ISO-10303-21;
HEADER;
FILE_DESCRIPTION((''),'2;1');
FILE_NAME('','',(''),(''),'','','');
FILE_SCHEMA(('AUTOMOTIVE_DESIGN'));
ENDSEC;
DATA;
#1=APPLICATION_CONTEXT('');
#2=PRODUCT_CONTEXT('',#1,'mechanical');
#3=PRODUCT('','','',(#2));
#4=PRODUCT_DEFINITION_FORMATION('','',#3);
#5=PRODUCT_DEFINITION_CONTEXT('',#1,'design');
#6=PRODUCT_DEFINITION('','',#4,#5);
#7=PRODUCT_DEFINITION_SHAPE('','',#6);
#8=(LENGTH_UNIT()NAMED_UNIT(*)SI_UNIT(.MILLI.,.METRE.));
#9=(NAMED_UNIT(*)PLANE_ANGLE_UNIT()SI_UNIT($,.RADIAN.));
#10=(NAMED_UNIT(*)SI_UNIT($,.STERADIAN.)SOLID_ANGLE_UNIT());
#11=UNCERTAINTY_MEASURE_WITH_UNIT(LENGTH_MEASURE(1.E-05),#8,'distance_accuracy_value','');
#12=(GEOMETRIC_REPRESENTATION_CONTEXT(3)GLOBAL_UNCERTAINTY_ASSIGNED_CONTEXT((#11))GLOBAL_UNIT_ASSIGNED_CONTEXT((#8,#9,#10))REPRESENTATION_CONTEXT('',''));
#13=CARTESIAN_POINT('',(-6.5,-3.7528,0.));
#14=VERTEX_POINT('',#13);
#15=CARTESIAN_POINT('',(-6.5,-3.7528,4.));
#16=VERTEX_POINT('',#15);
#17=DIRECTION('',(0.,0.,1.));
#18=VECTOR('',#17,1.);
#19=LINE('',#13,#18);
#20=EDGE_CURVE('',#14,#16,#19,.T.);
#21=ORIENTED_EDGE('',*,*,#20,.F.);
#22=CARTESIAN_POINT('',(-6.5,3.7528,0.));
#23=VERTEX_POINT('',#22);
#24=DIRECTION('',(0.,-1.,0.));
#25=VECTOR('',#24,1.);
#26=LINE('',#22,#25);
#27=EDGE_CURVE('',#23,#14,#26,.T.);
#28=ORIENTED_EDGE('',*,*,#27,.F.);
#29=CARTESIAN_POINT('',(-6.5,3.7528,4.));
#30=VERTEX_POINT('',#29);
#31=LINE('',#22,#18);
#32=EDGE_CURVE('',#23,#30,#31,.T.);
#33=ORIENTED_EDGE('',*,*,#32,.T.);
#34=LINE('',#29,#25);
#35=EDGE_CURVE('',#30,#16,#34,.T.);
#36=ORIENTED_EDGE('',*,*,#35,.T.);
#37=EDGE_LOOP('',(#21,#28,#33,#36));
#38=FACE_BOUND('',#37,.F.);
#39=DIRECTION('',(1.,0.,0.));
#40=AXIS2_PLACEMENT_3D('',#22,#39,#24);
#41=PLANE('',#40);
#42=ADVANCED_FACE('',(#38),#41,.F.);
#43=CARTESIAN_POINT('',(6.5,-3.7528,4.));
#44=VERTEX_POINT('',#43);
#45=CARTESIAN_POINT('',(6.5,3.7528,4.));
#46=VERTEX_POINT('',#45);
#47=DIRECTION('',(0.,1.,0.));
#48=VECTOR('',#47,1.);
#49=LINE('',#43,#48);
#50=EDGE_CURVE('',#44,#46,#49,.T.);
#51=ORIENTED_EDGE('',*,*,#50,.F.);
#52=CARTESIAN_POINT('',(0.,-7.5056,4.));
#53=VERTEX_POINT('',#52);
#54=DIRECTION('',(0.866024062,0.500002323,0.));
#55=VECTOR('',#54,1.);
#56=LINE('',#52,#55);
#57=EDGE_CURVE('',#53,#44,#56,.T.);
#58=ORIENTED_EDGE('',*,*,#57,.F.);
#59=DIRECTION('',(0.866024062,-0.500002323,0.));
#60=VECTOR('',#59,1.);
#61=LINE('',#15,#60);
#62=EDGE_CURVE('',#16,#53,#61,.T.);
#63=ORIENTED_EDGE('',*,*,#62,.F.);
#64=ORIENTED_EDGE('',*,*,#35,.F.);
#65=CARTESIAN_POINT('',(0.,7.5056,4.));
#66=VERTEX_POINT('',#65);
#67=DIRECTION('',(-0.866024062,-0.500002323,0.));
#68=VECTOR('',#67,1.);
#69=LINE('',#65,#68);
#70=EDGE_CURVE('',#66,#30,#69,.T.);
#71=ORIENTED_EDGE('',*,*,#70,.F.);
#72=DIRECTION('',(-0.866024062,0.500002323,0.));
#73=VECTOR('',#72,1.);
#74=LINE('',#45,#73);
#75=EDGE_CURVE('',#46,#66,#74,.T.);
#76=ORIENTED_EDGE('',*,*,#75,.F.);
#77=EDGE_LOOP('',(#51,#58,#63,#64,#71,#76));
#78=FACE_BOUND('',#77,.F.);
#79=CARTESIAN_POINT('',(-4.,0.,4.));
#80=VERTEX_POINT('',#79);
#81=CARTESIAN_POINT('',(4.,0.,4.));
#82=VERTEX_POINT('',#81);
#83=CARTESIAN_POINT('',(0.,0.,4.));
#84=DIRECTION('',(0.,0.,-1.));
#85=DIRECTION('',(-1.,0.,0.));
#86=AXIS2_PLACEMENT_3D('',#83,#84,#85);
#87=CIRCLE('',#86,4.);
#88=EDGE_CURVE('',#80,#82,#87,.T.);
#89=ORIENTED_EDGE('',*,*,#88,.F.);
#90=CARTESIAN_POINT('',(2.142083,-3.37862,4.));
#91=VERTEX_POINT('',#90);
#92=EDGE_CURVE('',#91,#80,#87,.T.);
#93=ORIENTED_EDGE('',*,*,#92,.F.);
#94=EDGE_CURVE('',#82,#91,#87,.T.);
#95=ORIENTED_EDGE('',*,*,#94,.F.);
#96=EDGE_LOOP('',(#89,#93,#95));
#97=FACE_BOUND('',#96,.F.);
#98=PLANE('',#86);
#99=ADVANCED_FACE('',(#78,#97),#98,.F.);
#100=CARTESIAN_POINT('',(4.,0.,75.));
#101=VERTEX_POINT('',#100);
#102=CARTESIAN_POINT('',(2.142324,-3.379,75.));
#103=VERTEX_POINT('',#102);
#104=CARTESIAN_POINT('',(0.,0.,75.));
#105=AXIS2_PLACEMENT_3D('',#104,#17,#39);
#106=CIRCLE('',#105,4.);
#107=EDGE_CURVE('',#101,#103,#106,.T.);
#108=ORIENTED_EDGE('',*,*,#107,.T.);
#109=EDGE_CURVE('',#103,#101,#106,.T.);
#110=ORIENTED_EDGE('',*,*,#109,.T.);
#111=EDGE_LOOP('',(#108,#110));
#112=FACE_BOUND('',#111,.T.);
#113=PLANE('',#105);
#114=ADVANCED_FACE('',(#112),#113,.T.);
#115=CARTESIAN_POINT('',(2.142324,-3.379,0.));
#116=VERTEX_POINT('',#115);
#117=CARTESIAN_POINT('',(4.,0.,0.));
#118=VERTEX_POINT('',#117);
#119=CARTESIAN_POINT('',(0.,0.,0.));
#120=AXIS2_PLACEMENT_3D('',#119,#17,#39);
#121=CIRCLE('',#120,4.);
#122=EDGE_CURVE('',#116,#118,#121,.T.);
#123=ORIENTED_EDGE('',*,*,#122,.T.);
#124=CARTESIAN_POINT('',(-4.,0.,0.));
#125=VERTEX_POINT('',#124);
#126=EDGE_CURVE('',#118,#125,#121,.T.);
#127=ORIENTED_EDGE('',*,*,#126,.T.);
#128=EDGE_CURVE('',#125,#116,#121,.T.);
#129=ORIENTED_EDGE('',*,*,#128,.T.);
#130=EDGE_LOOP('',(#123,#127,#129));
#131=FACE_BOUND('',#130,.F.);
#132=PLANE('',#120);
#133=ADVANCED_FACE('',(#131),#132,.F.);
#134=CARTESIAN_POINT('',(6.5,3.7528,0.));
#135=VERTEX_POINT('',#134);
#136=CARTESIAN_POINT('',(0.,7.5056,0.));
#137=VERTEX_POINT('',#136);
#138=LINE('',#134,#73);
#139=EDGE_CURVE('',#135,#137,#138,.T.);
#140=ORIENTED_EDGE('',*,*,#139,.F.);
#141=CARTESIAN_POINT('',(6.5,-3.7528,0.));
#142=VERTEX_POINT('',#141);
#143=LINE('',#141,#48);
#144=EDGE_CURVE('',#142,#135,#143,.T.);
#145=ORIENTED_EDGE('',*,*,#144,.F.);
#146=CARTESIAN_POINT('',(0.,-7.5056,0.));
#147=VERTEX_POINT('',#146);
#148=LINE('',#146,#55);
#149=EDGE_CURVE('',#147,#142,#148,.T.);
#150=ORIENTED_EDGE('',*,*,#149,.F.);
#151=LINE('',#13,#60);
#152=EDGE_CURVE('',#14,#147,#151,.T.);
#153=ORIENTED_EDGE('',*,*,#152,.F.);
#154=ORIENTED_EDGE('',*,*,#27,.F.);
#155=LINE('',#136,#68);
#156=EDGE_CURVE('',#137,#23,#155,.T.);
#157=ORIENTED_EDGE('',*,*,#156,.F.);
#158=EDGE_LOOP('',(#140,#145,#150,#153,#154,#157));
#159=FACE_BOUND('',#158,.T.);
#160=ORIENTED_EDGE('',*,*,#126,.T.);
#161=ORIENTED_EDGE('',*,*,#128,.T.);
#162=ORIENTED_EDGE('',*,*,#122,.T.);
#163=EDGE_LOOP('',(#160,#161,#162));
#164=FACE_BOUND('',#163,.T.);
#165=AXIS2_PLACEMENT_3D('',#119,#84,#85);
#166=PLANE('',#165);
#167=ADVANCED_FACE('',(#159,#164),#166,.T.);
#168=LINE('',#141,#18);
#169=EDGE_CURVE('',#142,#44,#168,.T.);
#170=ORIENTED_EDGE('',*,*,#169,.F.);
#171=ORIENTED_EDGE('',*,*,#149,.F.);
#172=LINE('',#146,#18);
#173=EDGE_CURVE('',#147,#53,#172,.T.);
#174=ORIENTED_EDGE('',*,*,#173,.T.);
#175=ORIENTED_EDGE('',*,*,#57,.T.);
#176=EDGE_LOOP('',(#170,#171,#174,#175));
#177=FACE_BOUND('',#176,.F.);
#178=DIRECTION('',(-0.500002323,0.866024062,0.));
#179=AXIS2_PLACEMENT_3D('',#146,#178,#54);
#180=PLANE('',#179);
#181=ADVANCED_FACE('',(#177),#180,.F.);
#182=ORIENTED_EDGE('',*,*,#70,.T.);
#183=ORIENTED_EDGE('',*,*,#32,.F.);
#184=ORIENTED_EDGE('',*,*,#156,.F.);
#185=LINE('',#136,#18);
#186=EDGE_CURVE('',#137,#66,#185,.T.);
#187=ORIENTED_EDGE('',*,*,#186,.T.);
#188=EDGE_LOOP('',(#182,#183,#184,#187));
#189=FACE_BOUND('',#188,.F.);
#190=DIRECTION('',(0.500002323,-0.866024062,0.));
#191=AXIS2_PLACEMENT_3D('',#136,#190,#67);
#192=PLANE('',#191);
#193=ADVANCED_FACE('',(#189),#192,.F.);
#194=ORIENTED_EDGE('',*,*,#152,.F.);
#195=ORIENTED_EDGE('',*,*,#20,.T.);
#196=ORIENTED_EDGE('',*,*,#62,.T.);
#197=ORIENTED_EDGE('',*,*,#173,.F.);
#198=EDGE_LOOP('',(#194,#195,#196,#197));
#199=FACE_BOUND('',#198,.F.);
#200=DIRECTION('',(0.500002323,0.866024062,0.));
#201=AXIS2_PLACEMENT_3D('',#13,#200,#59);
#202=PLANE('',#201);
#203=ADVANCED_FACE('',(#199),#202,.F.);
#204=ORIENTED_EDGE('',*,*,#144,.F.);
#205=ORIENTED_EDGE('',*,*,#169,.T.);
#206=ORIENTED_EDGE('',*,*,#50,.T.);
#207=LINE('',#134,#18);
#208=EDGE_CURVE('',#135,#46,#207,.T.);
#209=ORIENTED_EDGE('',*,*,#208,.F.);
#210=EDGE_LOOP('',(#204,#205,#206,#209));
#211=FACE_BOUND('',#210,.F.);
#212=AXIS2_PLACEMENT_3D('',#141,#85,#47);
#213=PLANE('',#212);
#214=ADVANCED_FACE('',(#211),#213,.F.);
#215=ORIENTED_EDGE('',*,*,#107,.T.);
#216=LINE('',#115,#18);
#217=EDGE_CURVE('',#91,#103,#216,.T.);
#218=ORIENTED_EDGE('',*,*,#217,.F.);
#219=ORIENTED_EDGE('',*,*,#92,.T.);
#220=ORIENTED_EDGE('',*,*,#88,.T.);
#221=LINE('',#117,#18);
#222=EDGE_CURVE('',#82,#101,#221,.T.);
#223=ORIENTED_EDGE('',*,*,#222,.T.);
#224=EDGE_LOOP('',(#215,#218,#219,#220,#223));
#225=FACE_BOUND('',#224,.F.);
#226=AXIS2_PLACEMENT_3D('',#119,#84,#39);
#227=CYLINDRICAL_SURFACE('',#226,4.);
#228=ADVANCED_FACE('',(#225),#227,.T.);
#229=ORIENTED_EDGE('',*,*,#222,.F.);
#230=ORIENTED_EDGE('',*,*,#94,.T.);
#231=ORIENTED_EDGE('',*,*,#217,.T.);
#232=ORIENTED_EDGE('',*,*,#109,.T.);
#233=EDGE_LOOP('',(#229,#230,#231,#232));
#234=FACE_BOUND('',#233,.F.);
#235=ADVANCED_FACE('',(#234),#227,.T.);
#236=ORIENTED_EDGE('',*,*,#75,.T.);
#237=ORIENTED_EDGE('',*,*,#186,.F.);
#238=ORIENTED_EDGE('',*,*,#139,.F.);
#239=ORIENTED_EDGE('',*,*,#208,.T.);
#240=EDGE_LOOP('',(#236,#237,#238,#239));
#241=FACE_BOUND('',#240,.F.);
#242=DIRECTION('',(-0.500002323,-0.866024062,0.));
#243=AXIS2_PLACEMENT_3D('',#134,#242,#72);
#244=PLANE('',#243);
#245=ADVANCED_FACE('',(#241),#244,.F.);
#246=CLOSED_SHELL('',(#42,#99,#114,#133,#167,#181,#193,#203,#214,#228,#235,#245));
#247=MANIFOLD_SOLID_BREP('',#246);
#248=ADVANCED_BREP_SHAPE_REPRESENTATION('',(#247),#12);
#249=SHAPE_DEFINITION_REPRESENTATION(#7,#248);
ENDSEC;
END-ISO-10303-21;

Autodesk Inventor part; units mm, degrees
ref_plane "YZ Plane" through (0, 0, 0) normal (1, 0, 0) x (0, 1, 0)
ref_plane "XZ Plane" through (0, 0, 0) normal (0, 1, 0) x (-1, 0, 0)
ref_plane "XY Plane" through (0, 0, 0) normal (0, 0, 1) x (1, 0, 0)
sketch "Sketch1" plane through (0, 0, 0) normal (0, 0, 1) x (1, 0, 0)
  circle A0 centre (0, 0) radius 4
  line L0 (2.1406, -3.379) -> (2.1439, -3.379)
  point P0 (-2.1406, -3.379)
  dimension "d0" = 8
extrude "Extrusion1" add sketch "Sketch1" along normal blind 75
sketch "Sketch2" plane through (0, 0, 0) normal (0, 0, -1) x (-1, 0, 0)
  circle A0 centre (0, 0) radius 4 projected
  line L0 (0, -7.5056) -> (-6.5, -3.7528)
  line L1 (-6.5, -3.7528) -> (-6.5, 3.7528)
  line L2 (-6.5, 3.7528) -> (0, 7.5056)
  line L3 (0, 7.5056) -> (6.5, 3.7528)
  line L4 (6.5, 3.7528) -> (6.5, -3.7528)
  line L5 (6.5, -3.7528) -> (0, -7.5056)
  dimension "d4" = 13
extrude "Extrusion2" add sketch "Sketch2" against normal blind 4
properties part number "8mm-rod" material "Iron, Cast"
